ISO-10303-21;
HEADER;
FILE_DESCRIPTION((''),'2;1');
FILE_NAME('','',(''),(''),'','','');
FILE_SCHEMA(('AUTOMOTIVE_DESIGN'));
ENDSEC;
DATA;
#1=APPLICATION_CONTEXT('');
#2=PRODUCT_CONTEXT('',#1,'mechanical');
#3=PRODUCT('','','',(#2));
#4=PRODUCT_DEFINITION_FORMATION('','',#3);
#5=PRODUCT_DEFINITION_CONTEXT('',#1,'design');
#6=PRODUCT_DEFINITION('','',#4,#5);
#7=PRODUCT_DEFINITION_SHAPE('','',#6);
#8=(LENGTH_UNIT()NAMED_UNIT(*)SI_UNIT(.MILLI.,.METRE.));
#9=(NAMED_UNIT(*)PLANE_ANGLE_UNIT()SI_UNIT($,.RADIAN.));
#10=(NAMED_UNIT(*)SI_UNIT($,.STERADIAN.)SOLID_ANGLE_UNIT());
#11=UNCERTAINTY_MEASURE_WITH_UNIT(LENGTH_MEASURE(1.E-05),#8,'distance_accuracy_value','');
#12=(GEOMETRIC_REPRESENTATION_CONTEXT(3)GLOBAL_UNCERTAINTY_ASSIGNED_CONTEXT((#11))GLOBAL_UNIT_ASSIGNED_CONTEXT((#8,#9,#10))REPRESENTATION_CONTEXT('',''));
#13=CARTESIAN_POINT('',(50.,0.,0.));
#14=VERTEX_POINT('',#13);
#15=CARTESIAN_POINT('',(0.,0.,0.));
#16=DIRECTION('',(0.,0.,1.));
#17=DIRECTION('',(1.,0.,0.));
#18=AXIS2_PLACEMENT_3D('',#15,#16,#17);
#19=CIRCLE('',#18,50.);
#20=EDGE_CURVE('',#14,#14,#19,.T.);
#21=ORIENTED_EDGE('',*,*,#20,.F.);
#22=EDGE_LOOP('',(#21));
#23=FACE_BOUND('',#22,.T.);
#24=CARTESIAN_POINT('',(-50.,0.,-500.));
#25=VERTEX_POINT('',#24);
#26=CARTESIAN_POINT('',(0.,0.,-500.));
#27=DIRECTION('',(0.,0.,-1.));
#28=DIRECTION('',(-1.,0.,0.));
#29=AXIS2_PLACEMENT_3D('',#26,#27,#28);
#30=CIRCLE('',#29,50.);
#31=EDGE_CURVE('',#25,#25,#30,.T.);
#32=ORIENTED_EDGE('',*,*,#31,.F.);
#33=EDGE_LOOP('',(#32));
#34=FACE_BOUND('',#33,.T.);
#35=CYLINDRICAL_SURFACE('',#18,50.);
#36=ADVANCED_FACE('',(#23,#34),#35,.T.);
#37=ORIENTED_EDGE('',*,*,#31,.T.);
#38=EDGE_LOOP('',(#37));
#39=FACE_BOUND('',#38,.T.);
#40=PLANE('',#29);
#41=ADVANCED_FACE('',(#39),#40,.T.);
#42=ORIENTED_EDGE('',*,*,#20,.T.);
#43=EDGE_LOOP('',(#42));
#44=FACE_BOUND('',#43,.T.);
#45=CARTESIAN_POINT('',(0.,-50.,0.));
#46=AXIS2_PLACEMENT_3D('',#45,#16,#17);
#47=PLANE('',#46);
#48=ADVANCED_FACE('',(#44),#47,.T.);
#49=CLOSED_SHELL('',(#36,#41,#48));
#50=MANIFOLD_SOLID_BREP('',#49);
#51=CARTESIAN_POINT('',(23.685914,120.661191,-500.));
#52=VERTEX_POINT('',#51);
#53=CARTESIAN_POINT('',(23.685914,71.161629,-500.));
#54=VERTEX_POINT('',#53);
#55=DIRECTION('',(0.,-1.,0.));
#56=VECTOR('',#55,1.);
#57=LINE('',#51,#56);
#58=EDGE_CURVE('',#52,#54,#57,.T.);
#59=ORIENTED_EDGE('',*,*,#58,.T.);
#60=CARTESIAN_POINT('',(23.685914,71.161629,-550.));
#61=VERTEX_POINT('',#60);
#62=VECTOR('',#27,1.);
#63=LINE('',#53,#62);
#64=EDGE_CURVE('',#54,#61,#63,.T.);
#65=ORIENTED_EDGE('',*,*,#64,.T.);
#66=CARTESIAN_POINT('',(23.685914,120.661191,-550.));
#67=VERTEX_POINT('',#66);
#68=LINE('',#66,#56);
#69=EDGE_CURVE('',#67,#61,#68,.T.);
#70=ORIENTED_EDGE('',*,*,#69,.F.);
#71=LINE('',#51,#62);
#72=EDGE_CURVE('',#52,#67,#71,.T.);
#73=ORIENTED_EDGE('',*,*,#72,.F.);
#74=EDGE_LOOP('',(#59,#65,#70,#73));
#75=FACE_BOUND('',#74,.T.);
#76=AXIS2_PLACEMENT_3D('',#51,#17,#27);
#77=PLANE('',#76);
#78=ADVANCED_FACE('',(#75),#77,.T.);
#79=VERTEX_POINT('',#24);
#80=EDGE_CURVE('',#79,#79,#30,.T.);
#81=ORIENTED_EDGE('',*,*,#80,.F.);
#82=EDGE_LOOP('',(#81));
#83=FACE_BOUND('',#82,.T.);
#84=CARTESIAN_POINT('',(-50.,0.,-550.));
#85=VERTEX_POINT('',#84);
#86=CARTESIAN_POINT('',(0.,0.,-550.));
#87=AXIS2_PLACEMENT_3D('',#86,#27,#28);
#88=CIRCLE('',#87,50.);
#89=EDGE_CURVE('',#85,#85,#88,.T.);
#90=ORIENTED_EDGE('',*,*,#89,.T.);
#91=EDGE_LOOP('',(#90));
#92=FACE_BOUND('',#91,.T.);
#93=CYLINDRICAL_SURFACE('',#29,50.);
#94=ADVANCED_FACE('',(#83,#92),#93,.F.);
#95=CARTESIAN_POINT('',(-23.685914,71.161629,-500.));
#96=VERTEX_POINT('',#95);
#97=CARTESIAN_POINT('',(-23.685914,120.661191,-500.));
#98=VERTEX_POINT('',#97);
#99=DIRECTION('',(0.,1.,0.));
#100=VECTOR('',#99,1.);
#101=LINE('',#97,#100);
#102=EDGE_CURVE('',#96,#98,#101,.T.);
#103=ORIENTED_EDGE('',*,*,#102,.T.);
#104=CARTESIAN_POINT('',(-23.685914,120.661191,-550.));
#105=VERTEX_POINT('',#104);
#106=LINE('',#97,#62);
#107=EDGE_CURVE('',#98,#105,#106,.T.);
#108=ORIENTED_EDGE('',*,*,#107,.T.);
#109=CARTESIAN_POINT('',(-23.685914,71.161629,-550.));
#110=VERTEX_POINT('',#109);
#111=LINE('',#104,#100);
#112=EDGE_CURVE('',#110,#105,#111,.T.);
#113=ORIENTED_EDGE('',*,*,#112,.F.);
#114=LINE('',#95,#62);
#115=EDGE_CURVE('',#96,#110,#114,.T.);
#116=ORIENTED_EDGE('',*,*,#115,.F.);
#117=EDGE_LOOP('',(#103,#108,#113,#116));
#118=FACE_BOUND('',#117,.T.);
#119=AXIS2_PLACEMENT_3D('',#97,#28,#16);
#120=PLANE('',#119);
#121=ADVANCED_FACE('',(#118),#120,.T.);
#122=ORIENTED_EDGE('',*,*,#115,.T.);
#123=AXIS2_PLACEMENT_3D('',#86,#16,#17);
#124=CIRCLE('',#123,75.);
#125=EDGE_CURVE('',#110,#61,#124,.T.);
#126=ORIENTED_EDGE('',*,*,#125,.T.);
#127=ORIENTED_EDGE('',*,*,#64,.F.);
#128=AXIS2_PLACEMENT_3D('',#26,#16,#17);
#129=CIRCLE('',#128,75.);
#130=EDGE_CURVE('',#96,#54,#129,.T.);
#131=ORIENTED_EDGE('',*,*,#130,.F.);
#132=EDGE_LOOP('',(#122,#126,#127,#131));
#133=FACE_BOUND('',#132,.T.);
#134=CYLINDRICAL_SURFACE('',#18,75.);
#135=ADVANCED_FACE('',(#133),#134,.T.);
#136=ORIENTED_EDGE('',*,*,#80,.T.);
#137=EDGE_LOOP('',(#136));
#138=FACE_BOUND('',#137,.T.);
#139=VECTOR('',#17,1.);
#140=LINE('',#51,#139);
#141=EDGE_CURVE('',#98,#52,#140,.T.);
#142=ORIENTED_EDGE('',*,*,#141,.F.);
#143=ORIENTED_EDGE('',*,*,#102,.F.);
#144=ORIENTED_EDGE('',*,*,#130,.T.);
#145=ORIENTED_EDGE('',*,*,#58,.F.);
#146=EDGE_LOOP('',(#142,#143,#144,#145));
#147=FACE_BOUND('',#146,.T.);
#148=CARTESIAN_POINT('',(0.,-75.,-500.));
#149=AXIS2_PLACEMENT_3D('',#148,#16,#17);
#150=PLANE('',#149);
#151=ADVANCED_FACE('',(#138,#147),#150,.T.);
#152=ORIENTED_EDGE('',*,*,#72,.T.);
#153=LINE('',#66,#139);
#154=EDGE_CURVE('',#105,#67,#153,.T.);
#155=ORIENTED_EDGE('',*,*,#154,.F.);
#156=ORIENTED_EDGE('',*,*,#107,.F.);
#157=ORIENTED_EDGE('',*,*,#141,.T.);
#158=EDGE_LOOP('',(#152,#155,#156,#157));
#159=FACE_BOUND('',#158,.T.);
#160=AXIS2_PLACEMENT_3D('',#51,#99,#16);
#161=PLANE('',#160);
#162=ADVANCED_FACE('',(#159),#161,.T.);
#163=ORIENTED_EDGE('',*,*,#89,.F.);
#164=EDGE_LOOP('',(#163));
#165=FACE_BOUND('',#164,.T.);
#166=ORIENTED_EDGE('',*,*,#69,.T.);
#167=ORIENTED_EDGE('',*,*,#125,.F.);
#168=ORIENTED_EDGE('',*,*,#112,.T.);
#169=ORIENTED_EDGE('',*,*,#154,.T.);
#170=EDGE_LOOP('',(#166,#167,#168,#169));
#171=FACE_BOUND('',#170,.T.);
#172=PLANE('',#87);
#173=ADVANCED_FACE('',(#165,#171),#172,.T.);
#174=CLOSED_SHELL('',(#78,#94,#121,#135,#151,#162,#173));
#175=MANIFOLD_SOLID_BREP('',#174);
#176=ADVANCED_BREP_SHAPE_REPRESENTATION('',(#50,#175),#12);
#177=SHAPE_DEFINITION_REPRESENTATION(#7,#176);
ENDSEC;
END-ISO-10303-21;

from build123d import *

# Parameters (mm, degrees)
CUT_EXTRUDE2_START  = -50
SKETCH4_R           = 50
CUT_EXTRUDE2_DEPTH  = 50
BOSS_EXTRUDE2_DEPTH = 50


with BuildPart() as part:
    # Sketch2 → Revolve1 (revolve)
    with BuildSketch(Plane(origin=(0, 0, 0), x_dir=(0, 0, -1), z_dir=(1, 0, 0)), mode=Mode.PRIVATE) as revolve1_sk:
        Polygon((0, 0), (550, 0), (550, -75), (500, -75), (500, -50), (0, -50), align=None)
    revolve(revolve1_sk.sketch.rotate(Axis((0, 0, 0), (0, 0, -1)), 270), axis=Axis((0, 0, 0), (0, 0, -1)))

    # Sketch4 → Cut-Extrude2 (cut)
    with BuildSketch(Plane(origin=(0, 0, -550), x_dir=(-1, 0, 0), z_dir=(0, 0, -1)).offset(CUT_EXTRUDE2_START)):
        Circle(SKETCH4_R)
    extrude(amount=CUT_EXTRUDE2_DEPTH, mode=Mode.SUBTRACT)


with BuildPart() as cut_extrude2_piece_1:
    # of the separate pieces the step leaves, piece 1, a body of its own (cut_extrude2_pieces)
    add(part.part.solids().sort_by_distance((50, 0, 0))[0])


with BuildPart() as cut_extrude2_piece_2:
    # of the separate pieces the step leaves, piece 2, a body of its own (cut_extrude2_pieces)
    add(part.part.solids().sort_by_distance((75, 0, -550))[0])

    # Sketch5 → Boss-Extrude2 (add)
    with BuildSketch(Plane(origin=(0, 0, -550), x_dir=(-1, 0, 0), z_dir=(0, 0, -1))):
        with BuildLine():
            Line((-23.685914499, 120.661191056), (23.685914499, 120.661191056))
            Line((23.685914499, 120.661191056), (23.685914499, 71.161629087))
            ThreePointArc((23.685914499, 71.161629087), (0, 75), (-23.685914499, 71.161629087))
            Line((-23.685914499, 71.161629087), (-23.685914499, 120.661191056))
        make_face()
    extrude(amount=-BOSS_EXTRUDE2_DEPTH)


solid = Compound([cut_extrude2_piece_1.part, cut_extrude2_piece_2.part])
